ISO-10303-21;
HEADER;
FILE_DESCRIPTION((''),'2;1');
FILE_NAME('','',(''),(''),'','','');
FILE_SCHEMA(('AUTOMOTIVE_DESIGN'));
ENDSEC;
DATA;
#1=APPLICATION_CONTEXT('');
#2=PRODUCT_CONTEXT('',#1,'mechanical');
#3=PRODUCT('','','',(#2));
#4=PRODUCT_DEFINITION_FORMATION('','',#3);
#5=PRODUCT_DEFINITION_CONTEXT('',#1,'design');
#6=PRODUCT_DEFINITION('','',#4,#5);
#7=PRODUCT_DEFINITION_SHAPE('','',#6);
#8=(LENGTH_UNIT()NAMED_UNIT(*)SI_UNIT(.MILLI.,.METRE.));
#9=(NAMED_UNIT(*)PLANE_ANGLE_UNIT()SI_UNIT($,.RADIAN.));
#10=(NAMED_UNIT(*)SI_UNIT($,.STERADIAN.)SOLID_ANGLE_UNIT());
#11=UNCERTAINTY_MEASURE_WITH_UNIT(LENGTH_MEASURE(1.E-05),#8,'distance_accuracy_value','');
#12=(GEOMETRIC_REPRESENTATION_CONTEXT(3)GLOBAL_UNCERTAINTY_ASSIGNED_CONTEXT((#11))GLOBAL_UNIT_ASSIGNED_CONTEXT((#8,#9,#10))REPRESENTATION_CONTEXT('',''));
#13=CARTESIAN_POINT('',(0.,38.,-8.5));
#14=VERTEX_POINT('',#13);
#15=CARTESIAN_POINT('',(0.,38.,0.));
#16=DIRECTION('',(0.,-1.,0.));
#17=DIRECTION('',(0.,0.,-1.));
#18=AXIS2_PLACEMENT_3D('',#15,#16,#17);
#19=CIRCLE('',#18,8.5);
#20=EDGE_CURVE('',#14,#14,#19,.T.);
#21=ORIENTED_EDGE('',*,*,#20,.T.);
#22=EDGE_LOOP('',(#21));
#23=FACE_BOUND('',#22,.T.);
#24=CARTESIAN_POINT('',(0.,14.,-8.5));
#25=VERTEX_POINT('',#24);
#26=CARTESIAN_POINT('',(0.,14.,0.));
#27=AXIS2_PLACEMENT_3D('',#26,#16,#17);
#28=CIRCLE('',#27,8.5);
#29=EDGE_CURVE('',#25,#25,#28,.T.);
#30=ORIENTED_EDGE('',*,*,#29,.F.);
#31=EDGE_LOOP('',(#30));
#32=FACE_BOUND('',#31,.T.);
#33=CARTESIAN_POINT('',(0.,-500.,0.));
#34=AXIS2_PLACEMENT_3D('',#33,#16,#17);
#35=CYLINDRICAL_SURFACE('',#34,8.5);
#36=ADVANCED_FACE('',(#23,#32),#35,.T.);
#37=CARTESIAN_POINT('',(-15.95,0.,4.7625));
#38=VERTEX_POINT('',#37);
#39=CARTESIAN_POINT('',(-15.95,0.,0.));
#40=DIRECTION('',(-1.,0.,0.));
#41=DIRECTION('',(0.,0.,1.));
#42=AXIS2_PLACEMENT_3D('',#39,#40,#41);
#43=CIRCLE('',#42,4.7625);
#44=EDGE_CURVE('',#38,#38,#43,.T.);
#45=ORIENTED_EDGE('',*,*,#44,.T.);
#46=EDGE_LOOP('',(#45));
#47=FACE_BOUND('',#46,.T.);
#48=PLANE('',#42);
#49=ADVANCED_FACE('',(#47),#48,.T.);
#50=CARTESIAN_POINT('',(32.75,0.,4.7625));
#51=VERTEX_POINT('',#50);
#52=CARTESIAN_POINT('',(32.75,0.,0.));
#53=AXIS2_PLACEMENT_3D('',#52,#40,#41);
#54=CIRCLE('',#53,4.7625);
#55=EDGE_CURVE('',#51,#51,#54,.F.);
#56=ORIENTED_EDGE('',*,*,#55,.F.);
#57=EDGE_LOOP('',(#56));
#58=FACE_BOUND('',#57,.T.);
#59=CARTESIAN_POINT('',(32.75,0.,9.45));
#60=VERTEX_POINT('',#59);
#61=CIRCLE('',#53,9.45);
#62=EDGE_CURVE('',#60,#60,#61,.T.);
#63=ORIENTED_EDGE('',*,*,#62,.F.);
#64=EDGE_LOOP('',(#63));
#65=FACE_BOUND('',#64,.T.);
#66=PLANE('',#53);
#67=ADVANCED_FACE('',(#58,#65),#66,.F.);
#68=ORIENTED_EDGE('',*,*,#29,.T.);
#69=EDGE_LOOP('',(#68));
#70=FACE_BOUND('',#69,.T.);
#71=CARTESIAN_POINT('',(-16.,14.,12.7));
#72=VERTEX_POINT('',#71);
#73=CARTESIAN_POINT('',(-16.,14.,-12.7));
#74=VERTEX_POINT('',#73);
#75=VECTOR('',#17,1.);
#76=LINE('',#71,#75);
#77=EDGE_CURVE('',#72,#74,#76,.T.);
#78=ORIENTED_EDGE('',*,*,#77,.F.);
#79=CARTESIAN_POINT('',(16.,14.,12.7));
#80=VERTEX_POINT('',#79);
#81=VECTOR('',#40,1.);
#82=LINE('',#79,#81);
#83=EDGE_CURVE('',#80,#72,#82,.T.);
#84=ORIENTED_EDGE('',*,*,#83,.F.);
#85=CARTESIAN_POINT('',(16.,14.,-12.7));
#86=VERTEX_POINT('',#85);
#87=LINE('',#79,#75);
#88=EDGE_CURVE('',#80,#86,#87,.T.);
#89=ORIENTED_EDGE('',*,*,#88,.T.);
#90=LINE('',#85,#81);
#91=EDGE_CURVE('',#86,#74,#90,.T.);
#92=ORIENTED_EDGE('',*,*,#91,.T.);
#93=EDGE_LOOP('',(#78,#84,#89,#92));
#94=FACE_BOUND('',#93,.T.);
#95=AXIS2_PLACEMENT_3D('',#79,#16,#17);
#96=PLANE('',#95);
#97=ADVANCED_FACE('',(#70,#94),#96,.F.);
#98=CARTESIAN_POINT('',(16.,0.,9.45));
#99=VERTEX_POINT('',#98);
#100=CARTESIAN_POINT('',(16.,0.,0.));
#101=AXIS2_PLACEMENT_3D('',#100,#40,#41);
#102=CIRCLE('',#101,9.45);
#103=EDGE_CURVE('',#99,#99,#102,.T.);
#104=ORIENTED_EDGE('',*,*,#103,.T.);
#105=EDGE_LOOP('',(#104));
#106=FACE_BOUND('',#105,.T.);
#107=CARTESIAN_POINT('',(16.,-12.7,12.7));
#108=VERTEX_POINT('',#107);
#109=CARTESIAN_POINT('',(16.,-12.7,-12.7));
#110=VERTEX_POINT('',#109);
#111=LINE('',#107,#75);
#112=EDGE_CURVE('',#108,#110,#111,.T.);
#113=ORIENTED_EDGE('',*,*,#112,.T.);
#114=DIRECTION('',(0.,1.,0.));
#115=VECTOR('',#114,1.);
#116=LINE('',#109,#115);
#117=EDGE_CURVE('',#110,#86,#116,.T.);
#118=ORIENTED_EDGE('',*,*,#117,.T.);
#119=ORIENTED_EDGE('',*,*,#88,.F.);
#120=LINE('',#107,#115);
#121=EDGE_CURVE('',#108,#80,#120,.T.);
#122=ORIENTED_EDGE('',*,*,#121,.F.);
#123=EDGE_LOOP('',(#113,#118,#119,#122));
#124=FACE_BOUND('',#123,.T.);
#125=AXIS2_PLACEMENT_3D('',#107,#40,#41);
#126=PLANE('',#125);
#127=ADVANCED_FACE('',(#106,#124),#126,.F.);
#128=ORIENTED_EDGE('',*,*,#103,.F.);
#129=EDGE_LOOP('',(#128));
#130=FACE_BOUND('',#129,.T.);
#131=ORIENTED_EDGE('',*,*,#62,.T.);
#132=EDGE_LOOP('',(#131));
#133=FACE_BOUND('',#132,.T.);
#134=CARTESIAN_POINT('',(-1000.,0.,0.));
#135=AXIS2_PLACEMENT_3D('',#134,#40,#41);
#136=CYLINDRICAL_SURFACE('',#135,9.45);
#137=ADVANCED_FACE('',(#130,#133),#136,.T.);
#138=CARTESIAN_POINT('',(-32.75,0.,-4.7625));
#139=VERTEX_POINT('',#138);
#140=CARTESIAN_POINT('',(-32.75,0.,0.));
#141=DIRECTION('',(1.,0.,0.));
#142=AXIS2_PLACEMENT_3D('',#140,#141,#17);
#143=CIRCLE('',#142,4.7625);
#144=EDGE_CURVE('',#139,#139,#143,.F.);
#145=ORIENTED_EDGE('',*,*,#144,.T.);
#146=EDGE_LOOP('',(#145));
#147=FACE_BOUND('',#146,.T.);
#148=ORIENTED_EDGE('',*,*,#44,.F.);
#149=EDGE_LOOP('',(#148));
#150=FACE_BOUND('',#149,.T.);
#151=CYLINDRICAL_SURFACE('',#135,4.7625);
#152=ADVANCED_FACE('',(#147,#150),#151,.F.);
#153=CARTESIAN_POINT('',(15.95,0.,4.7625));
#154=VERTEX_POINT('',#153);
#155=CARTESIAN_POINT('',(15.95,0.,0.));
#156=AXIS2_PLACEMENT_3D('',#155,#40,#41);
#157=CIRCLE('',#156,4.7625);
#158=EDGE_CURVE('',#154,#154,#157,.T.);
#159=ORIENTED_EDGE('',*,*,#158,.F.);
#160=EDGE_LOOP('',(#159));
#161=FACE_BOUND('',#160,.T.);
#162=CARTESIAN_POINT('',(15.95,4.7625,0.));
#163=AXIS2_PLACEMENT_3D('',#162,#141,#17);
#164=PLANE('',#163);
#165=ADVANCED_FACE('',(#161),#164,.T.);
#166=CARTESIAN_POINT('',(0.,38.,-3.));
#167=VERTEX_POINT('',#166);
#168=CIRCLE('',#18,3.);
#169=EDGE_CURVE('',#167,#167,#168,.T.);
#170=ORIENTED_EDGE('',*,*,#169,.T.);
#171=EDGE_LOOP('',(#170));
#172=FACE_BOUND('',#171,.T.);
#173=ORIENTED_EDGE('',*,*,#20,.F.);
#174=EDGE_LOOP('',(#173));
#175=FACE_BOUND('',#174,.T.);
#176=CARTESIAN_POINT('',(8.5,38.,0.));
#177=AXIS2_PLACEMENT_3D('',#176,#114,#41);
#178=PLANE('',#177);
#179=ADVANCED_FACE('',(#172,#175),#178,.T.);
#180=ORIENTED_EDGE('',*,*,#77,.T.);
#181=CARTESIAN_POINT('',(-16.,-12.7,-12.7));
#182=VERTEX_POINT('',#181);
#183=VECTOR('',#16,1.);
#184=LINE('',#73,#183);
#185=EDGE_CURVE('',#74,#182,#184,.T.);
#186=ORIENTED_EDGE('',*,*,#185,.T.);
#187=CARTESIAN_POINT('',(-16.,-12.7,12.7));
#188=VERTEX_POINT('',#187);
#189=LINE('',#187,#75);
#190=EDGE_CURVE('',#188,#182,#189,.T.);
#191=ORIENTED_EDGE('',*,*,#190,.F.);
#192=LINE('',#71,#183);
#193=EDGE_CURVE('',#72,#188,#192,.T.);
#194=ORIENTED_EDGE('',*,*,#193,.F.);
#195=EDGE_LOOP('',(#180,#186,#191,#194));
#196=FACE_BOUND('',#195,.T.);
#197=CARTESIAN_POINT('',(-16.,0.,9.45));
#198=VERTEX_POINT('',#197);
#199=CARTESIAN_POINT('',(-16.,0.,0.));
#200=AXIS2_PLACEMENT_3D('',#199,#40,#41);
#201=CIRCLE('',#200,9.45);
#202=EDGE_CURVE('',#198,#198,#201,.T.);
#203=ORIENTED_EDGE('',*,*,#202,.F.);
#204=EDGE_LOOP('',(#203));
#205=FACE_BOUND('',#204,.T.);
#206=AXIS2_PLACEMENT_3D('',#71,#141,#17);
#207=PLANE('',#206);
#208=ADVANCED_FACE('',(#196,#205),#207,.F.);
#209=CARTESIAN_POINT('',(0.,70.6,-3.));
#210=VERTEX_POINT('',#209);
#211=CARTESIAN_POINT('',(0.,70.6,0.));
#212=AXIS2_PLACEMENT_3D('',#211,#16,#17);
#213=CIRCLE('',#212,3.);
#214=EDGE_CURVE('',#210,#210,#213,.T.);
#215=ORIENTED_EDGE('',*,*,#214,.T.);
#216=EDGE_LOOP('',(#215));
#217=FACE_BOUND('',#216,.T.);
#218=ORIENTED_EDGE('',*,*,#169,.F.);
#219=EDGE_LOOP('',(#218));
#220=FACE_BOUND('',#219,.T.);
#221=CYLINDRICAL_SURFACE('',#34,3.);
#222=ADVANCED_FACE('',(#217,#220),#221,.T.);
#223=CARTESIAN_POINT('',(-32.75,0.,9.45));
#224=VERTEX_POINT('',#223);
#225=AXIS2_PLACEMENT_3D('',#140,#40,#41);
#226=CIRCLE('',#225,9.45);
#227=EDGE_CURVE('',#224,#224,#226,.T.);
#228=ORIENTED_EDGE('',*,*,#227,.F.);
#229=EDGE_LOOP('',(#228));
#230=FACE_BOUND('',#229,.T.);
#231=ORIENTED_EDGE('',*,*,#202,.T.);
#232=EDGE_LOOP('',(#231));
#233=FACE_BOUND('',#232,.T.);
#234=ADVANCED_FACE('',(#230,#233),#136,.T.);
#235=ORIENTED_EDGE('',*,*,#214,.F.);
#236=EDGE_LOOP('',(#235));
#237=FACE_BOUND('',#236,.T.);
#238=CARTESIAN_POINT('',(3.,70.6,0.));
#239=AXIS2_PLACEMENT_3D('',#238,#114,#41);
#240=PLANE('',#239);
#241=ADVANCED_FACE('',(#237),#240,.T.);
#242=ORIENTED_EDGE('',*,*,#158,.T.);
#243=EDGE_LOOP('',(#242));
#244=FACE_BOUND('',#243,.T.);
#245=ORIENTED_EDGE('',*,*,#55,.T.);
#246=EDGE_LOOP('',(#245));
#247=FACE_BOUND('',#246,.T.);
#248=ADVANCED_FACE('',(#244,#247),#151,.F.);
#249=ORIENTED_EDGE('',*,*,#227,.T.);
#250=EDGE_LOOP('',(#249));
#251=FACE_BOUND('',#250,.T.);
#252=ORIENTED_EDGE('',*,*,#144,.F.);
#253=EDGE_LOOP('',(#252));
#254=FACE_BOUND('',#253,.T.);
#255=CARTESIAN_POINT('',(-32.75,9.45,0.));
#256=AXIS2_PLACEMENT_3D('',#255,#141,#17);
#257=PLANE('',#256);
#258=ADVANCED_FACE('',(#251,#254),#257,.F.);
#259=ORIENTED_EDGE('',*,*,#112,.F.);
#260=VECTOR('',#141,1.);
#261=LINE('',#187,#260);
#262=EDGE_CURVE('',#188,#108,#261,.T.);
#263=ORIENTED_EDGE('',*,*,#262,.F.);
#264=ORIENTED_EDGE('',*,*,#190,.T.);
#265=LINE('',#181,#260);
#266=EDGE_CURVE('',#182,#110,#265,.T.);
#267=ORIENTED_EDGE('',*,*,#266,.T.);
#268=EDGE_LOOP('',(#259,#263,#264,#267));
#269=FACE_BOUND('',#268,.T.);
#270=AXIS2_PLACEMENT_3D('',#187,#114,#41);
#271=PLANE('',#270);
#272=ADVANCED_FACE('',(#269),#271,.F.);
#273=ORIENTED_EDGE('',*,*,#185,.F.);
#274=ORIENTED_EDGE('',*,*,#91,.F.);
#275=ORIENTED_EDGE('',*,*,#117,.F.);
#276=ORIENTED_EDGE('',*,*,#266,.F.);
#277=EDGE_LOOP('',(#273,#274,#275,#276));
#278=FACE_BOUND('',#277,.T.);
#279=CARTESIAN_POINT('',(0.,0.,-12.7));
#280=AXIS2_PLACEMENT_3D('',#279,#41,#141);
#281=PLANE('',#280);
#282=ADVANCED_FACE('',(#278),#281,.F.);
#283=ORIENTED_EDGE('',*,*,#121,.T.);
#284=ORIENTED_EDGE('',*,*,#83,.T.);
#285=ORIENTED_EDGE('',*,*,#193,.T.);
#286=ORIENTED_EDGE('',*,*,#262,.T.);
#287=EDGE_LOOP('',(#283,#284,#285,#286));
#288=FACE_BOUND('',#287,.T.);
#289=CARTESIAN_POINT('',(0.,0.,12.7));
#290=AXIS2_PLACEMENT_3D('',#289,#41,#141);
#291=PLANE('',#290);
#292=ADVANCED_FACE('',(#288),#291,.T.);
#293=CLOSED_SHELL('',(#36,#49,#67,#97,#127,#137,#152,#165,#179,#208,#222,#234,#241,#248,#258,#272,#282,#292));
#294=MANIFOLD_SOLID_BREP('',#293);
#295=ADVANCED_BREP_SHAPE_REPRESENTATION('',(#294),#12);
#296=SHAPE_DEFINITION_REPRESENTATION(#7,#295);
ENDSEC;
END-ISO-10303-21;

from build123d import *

# Parameters (mm, degrees)
BODY_SKETCH_W       = 32
BODY_SKETCH_H       = 26.7
BODY_DEPTH          = 12.7
NUT_X_SKETCH_W      = 16.75
NUT_X_SKETCH_H      = 9.45
NUT_X_SKETCH_2_W    = 16.75
NUT_X_SKETCH_2_H    = 9.45
SOCKET_X_SKETCH_W   = 17.8
SOCKET_X_SKETCH_H   = 4.7625
SOCKET_X_SKETCH_2_W = 17.8
SOCKET_X_SKETCH_2_H = 4.7625


with BuildPart() as part:
    # Body Sketch → Body (new, symmetric)
    with BuildSketch(Plane.XY):
        with Locations((0, 0.65)):
            Rectangle(BODY_SKETCH_W, BODY_SKETCH_H)
    extrude(amount=BODY_DEPTH, both=True)

    # Nut _X Sketch → Nut _X (revolve)
    with BuildSketch(Plane.XY):
        with Locations((24.375, 4.725)):
            Rectangle(NUT_X_SKETCH_W, NUT_X_SKETCH_H)
    revolve(axis=Axis((-1000, 0, 0), (1, 0, 0)))

    # Nut -X Sketch 2 → Nut -X 2 (revolve)
    with BuildSketch(Plane.XY):
        with Locations((-24.375, 4.725)):
            Rectangle(NUT_X_SKETCH_2_W, NUT_X_SKETCH_2_H)
    revolve(axis=Axis((-1000, 0, 0), (1, 0, 0)))

    # Socket _X Sketch → Socket _X (revolve, cut)
    with BuildSketch(Plane.XY):
        with Locations((24.85, 2.38125)):
            Rectangle(SOCKET_X_SKETCH_W, SOCKET_X_SKETCH_H)
    revolve(axis=Axis((-1000, 0, 0), (1, 0, 0)), mode=Mode.SUBTRACT)

    # Socket -X Sketch 2 → Socket -X 2 (revolve, cut)
    with BuildSketch(Plane.XY):
        with Locations((-24.85, 2.38125)):
            Rectangle(SOCKET_X_SKETCH_2_W, SOCKET_X_SKETCH_2_H)
    revolve(axis=Axis((-1000, 0, 0), (1, 0, 0)), mode=Mode.SUBTRACT)

    # Stem Sketch → Stem (revolve)
    with BuildSketch(Plane.XY):
        Polygon((0, 14), (8.5, 14), (8.5, 38), (3, 38), (3, 70.6), (0, 70.6), align=None)
    revolve(axis=Axis((0, -500, 0), (0, 1, 0)))


solid = part.part
